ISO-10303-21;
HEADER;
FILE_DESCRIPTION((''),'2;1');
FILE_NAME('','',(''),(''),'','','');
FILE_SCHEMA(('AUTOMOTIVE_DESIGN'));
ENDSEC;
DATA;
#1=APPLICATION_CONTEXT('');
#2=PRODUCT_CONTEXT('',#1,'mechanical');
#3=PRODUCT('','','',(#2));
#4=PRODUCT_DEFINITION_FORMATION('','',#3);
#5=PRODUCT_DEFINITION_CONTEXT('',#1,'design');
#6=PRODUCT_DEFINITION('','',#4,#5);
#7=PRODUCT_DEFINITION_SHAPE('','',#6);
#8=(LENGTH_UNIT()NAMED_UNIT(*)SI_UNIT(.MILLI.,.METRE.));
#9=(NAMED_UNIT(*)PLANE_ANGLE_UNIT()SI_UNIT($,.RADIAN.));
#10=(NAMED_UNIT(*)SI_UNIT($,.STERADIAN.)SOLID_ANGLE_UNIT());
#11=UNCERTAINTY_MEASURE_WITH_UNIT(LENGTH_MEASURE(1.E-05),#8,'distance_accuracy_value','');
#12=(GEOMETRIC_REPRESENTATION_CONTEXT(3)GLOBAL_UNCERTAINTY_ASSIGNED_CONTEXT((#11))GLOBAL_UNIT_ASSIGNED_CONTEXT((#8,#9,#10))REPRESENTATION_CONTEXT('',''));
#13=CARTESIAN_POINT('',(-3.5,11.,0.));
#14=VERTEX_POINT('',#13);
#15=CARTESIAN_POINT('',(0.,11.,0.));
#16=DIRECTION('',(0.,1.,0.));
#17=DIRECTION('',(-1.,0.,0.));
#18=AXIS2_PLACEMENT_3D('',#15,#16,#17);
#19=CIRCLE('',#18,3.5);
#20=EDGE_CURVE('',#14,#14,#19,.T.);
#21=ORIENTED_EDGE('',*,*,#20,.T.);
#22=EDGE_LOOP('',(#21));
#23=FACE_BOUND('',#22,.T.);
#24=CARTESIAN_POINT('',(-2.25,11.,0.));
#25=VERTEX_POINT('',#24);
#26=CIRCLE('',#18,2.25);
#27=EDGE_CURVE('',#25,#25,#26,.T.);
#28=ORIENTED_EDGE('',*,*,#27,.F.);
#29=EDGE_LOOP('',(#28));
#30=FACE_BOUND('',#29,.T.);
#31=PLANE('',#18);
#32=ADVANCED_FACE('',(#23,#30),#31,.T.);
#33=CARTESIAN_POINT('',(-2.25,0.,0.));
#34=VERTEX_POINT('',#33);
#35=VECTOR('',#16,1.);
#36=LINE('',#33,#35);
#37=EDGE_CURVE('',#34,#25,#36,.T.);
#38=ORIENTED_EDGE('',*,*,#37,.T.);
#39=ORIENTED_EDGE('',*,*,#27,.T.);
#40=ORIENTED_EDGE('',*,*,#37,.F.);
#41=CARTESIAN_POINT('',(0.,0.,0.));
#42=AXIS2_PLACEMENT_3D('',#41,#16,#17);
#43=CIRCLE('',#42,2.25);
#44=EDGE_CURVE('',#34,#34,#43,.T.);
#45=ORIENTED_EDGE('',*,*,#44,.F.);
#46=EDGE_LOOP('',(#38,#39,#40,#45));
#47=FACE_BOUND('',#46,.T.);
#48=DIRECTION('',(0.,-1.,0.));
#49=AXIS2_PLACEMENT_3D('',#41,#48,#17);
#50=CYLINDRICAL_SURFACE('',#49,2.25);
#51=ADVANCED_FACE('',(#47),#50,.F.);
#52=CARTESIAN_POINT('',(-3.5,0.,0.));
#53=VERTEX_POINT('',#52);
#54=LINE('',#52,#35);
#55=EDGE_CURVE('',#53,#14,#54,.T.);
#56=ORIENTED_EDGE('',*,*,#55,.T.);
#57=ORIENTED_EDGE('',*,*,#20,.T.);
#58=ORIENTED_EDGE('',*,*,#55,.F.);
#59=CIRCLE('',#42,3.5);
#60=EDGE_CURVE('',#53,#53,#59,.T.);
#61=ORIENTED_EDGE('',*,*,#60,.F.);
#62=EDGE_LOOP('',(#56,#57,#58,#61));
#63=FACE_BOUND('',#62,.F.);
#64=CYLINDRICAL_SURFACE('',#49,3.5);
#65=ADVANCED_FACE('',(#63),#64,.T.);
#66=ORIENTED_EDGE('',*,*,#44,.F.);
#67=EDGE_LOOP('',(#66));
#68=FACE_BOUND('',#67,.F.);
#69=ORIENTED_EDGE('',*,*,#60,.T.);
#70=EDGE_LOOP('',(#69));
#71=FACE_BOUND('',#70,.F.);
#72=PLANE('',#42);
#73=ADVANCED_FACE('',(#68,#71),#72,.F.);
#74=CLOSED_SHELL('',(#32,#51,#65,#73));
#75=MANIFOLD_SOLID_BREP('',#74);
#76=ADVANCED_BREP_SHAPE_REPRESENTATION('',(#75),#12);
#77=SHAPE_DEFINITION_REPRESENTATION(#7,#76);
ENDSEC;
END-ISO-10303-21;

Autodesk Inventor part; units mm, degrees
ref_plane "YZ Plane" through (0, 0, 0) normal (1, 0, 0) x (0, 1, 0)
ref_plane "XZ Plane" through (0, 0, 0) normal (0, 1, 0) x (-1, 0, 0)
ref_plane "XY Plane" through (0, 0, 0) normal (0, 0, 1) x (1, 0, 0)
sketch "Esquisse1" plane through (0, 0, 0) normal (0, 1, 0) x (-1, 0, 0)
  circle A0 centre (0, 0) radius 3.5
  circle A1 centre (0, 0) radius 2.25
  dimension "d0" = 4.5
  dimension "d1" = 7
extrude "Extrusion1" add sketch "Esquisse1" along normal blind 11
properties part number "entretoise_11"
